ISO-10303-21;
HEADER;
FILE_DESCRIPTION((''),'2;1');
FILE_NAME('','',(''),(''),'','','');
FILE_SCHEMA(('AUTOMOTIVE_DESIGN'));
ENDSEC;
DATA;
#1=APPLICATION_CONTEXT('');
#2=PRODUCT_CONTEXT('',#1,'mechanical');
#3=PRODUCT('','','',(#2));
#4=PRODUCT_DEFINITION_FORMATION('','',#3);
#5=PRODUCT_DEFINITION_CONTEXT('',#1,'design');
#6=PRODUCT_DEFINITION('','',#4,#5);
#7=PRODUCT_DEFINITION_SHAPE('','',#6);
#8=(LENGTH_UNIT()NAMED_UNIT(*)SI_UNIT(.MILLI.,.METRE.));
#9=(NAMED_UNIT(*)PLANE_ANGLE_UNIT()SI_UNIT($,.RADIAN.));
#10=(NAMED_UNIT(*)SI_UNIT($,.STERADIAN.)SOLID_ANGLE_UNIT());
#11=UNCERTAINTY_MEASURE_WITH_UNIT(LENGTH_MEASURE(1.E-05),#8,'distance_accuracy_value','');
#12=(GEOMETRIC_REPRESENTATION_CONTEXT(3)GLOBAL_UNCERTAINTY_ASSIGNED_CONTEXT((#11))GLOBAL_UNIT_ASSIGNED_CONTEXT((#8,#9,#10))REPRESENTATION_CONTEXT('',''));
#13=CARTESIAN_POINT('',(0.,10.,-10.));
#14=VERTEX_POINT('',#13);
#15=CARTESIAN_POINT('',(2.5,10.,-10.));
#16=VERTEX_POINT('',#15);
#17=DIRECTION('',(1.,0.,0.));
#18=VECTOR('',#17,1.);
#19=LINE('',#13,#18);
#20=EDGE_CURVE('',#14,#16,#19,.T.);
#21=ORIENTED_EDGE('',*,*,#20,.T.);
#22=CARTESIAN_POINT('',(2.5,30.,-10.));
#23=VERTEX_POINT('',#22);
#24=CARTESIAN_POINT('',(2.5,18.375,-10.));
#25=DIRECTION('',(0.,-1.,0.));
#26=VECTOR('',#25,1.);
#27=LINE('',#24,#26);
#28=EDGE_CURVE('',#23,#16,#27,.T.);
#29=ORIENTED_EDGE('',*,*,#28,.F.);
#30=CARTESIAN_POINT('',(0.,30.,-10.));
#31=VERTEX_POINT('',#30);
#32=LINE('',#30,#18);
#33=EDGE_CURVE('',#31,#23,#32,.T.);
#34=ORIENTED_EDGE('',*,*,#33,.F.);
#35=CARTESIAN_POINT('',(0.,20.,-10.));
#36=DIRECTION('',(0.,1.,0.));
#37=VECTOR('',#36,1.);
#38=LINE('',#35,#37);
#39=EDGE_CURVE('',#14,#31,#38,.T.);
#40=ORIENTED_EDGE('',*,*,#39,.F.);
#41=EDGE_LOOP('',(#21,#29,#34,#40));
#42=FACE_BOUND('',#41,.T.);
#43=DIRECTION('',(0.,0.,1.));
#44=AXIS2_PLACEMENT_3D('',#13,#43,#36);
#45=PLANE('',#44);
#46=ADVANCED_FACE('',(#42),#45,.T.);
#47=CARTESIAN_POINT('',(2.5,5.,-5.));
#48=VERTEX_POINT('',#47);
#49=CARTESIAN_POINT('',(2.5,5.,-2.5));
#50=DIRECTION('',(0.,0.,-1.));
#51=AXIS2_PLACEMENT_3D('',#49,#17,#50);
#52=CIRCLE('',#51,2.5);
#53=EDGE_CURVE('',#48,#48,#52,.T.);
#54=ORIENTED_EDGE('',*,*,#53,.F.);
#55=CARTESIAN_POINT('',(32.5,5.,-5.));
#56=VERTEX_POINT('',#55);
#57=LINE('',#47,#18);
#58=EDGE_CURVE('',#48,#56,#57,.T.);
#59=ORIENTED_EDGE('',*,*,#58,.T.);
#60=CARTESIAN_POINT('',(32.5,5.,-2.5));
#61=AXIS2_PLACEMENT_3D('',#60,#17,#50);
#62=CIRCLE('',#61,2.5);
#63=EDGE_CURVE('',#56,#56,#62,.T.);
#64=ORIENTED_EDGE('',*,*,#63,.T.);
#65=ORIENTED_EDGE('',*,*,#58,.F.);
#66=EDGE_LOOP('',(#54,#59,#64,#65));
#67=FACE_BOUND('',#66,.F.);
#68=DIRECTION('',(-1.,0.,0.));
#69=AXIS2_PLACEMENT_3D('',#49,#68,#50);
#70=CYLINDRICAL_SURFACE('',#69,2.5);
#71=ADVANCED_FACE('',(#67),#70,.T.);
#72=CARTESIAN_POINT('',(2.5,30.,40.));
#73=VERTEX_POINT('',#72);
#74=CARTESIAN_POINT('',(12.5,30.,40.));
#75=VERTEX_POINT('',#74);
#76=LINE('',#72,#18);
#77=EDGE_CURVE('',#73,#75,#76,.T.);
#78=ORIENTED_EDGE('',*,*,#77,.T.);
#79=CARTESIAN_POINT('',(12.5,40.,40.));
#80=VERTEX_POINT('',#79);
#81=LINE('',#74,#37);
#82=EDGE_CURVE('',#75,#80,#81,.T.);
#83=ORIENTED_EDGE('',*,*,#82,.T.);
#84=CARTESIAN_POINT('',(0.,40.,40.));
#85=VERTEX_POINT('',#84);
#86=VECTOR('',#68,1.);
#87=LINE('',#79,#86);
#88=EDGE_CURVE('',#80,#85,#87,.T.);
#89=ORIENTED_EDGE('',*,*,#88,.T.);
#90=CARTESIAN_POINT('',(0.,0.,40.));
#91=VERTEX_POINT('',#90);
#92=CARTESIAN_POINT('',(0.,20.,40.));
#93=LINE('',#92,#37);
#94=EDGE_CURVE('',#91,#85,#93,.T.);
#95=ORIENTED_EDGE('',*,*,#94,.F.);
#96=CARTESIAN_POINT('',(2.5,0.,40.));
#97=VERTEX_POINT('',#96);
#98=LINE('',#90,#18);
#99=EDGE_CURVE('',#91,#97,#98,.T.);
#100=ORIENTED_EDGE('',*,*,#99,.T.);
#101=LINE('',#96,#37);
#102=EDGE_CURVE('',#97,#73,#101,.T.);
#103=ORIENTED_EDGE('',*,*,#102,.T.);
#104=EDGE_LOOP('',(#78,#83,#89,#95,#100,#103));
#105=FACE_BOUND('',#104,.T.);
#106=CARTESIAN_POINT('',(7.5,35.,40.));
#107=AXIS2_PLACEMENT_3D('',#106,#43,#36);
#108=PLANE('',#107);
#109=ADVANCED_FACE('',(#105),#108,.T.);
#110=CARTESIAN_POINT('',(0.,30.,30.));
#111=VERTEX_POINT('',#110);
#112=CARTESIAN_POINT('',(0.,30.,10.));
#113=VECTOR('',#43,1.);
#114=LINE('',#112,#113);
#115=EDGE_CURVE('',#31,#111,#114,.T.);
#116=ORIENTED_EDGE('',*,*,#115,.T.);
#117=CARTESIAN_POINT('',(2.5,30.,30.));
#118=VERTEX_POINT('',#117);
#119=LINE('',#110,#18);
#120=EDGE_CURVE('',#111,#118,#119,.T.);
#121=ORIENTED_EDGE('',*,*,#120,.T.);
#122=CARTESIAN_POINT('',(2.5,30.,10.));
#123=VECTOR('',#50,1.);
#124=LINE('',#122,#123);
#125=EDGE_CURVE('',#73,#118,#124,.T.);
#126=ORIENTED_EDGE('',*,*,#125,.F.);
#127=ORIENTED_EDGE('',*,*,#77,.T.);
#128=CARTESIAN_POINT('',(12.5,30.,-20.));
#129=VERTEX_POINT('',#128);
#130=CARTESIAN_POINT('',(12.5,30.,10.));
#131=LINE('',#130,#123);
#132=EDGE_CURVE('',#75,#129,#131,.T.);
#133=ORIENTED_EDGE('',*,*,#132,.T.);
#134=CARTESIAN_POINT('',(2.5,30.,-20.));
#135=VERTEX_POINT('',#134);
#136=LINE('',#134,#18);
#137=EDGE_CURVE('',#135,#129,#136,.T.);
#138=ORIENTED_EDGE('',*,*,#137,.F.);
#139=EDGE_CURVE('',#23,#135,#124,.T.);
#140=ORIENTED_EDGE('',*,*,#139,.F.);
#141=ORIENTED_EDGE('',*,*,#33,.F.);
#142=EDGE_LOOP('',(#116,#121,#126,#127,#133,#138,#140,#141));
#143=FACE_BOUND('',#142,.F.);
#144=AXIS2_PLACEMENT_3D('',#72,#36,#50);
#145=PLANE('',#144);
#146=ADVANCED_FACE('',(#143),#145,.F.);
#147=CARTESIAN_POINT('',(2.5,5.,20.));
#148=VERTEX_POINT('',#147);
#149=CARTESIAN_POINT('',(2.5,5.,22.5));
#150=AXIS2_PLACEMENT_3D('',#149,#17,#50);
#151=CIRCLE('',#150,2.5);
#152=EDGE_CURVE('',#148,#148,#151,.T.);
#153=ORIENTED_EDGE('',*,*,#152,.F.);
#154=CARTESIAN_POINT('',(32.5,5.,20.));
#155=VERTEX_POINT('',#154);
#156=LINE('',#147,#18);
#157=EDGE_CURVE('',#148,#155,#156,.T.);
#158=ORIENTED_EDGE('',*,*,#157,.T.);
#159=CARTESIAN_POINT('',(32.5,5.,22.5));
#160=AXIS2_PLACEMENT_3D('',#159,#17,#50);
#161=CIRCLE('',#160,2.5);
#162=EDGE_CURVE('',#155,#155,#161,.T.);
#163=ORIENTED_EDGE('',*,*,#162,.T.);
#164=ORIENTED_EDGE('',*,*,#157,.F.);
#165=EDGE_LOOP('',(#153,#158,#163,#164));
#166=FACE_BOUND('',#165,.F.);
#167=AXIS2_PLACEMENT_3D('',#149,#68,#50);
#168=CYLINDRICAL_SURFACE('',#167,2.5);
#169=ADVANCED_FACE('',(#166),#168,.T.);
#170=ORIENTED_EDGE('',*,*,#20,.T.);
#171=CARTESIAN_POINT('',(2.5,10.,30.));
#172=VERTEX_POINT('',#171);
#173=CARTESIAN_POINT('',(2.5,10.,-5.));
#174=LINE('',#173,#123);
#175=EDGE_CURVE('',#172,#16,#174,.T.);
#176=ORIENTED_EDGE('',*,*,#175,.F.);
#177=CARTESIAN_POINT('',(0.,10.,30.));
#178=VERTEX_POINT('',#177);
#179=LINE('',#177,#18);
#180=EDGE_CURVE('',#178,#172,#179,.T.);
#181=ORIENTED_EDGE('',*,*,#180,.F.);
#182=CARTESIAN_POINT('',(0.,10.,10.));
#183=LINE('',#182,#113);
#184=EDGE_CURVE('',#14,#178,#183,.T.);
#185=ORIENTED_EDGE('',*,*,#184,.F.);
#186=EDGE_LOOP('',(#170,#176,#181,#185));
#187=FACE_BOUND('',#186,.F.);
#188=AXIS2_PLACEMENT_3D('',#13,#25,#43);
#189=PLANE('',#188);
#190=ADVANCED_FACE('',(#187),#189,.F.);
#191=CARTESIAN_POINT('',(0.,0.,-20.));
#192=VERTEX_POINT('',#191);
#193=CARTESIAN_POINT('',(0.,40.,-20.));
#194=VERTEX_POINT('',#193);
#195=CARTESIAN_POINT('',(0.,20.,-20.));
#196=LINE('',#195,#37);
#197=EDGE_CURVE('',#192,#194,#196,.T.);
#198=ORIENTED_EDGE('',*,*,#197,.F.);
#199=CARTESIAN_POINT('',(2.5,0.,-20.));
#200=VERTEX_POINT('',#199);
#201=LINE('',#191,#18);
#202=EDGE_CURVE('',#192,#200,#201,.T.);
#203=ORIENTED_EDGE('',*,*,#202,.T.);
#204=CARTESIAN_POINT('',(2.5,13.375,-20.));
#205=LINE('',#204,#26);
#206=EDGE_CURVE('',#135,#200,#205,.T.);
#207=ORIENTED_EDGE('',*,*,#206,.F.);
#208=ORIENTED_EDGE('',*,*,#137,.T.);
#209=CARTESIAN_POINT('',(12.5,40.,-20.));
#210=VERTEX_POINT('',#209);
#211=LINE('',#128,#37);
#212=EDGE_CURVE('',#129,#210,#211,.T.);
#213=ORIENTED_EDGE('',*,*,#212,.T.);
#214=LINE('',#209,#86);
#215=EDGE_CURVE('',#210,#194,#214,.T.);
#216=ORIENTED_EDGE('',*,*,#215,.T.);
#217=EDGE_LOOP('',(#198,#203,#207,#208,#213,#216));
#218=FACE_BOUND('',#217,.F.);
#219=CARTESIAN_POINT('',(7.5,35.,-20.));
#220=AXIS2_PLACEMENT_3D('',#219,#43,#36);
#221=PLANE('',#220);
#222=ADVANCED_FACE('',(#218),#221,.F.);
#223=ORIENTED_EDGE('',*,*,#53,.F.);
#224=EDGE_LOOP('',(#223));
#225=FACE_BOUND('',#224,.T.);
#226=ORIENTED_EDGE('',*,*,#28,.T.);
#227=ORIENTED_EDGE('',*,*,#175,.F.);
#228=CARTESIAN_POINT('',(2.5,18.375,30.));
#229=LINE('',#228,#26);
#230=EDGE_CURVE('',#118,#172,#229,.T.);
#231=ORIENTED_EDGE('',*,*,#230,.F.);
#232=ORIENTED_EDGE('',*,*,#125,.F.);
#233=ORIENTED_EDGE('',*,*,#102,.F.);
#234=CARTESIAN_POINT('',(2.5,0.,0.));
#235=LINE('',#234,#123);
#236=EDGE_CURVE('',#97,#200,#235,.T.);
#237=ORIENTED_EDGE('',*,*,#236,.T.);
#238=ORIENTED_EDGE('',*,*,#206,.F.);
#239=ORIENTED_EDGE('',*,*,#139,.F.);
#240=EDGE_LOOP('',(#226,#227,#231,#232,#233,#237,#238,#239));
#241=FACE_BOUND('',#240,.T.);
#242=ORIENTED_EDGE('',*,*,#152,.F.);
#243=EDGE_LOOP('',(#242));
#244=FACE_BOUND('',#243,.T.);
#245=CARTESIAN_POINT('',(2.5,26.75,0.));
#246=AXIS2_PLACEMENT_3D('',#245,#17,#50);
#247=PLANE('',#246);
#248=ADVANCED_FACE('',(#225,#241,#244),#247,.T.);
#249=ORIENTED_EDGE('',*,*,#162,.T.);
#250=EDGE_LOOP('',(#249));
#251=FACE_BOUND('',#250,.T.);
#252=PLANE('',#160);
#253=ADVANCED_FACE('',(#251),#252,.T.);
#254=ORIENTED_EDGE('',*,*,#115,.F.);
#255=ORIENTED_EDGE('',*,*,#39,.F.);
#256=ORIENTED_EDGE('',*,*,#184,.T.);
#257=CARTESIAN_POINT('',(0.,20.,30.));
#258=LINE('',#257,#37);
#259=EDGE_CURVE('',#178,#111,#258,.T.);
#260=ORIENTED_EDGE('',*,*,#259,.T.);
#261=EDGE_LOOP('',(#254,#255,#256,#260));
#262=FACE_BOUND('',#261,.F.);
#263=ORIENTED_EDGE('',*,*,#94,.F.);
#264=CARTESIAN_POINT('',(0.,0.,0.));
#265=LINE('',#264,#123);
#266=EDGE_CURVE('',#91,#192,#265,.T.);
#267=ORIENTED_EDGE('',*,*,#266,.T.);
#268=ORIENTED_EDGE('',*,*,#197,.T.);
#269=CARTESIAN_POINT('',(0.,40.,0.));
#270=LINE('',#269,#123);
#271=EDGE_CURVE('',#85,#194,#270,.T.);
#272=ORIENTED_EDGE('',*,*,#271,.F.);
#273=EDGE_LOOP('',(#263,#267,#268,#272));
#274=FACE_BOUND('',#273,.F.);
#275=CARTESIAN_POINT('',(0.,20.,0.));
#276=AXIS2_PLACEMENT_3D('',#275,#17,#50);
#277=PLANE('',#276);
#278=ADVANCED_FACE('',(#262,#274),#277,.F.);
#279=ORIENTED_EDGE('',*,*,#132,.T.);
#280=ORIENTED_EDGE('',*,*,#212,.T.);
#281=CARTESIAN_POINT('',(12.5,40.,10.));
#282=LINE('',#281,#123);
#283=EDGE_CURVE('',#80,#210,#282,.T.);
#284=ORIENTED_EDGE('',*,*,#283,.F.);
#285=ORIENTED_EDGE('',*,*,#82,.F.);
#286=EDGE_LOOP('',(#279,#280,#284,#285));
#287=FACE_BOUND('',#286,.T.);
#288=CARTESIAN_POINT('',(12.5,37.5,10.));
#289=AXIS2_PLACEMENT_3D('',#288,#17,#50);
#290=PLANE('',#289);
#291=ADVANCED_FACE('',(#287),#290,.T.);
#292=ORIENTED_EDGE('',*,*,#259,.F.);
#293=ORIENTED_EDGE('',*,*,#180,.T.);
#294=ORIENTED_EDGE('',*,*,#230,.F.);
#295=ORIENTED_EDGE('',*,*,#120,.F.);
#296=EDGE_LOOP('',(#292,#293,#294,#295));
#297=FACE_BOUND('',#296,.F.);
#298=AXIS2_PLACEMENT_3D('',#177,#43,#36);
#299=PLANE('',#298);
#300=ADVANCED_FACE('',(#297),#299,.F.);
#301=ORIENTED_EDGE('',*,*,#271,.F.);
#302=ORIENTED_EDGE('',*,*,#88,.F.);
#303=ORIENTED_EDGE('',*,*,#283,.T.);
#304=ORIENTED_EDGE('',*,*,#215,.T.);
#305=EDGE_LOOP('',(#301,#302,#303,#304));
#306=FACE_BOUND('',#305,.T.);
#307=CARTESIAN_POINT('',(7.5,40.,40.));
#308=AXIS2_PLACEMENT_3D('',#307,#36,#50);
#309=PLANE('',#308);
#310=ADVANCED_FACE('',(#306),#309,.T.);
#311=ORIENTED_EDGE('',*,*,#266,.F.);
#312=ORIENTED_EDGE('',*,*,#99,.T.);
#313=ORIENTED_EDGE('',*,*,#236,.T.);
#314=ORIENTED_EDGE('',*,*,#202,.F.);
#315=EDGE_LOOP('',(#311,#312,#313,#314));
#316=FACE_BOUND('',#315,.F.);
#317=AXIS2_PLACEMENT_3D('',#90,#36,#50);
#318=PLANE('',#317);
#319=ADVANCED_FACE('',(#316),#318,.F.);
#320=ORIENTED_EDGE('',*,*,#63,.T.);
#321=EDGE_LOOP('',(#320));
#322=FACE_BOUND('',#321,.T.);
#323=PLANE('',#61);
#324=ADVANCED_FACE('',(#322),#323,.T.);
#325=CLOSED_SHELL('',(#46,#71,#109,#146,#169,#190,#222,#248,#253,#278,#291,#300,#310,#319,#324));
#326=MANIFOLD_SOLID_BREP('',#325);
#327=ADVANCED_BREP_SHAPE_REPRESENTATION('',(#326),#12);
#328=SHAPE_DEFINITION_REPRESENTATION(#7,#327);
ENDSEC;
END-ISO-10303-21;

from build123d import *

# Parameters (mm, degrees)
SKETCH2_W           = 80
SKETCH2_H           = 40
BOSS_EXTRUDE1_DEPTH = 7.5
SKETCH3_W           = 80
SKETCH3_H           = 18.5
CUT_EXTRUDE1_DEPTH  = 5
SKETCH9_W           = 80
SKETCH9_H           = 16.5
CUT_EXTRUDE5_DEPTH  = 5
SKETCH10_W          = 20
SKETCH10_H          = 40
CUT_EXTRUDE7_DEPTH  = 10
SKETCH12_W          = 40
SKETCH12_H          = 20
CUT_EXTRUDE8_DEPTH  = 10
SKETCH13_W          = 60
SKETCH13_H          = 5
BOSS_EXTRUDE5_DEPTH = 10
SKETCH14_W          = 60
SKETCH14_H          = 5
BOSS_EXTRUDE6_DEPTH = 5
SKETCH15_R          = 2.5
BOSS_EXTRUDE7_DEPTH = 30


with BuildPart() as part:
    # Sketch2 → Boss-Extrude1 (new body)
    with BuildSketch(Plane(origin=(0, 0, 0), x_dir=(0, 0, -1), z_dir=(1, 0, 0))):
        with Locations((0, 20)):
            Rectangle(SKETCH2_W, SKETCH2_H)
    extrude(amount=BOSS_EXTRUDE1_DEPTH)

    # Sketch3 → Cut-Extrude1 (cut)
    with BuildSketch(Plane(origin=(7.5, 0, 0), x_dir=(0, 0, -1), z_dir=(1, 0, 0))):
        with Locations((0, 9.25)):
            Rectangle(SKETCH3_W, SKETCH3_H)
    extrude(amount=-CUT_EXTRUDE1_DEPTH, mode=Mode.SUBTRACT)

    # Sketch9 → Cut-Extrude5 (cut)
    with BuildSketch(Plane(origin=(7.5, 0, 0), x_dir=(0, 0, -1), z_dir=(1, 0, 0))):
        with Locations((0, 26.75)):
            Rectangle(SKETCH9_W, SKETCH9_H)
    extrude(amount=-CUT_EXTRUDE5_DEPTH, mode=Mode.SUBTRACT)

    # Sketch10 → Cut-Extrude7 (cut)
    with BuildSketch(Plane.ZY):
        with Locations((-30, 20)):
            Rectangle(SKETCH10_W, SKETCH10_H)
    extrude(amount=-CUT_EXTRUDE7_DEPTH, mode=Mode.SUBTRACT)

    # Sketch12 → Cut-Extrude8 (cut)
    with BuildSketch(Plane.ZY):
        with Locations((10, 20)):
            Rectangle(SKETCH12_W, SKETCH12_H)
    extrude(amount=-CUT_EXTRUDE8_DEPTH, mode=Mode.SUBTRACT)

    # Sketch13 → Boss-Extrude5 (add)
    with BuildSketch(Plane(origin=(2.5, 0, 0), x_dir=(0, 0, -1), z_dir=(1, 0, 0))):
        with Locations((-10, 32.5)):
            Rectangle(SKETCH13_W, SKETCH13_H)
    extrude(amount=BOSS_EXTRUDE5_DEPTH)

    # Sketch14 → Boss-Extrude6 (add)
    with BuildSketch(Plane(origin=(7.5, 0, 0), x_dir=(0, 0, -1), z_dir=(1, 0, 0))):
        with Locations((-10, 37.5)):
            Rectangle(SKETCH14_W, SKETCH14_H)
    extrude(amount=BOSS_EXTRUDE6_DEPTH)

    # Sketch15 → Boss-Extrude7 (add)
    with BuildSketch(Plane(origin=(2.5, 0, 0), x_dir=(0, 0, -1), z_dir=(1, 0, 0))):
        with Locations((-22.5, 5)):
            Circle(SKETCH15_R)
        with Locations((2.5, 5)):
            Circle(SKETCH15_R)
    extrude(amount=BOSS_EXTRUDE7_DEPTH)


solid = part.part
